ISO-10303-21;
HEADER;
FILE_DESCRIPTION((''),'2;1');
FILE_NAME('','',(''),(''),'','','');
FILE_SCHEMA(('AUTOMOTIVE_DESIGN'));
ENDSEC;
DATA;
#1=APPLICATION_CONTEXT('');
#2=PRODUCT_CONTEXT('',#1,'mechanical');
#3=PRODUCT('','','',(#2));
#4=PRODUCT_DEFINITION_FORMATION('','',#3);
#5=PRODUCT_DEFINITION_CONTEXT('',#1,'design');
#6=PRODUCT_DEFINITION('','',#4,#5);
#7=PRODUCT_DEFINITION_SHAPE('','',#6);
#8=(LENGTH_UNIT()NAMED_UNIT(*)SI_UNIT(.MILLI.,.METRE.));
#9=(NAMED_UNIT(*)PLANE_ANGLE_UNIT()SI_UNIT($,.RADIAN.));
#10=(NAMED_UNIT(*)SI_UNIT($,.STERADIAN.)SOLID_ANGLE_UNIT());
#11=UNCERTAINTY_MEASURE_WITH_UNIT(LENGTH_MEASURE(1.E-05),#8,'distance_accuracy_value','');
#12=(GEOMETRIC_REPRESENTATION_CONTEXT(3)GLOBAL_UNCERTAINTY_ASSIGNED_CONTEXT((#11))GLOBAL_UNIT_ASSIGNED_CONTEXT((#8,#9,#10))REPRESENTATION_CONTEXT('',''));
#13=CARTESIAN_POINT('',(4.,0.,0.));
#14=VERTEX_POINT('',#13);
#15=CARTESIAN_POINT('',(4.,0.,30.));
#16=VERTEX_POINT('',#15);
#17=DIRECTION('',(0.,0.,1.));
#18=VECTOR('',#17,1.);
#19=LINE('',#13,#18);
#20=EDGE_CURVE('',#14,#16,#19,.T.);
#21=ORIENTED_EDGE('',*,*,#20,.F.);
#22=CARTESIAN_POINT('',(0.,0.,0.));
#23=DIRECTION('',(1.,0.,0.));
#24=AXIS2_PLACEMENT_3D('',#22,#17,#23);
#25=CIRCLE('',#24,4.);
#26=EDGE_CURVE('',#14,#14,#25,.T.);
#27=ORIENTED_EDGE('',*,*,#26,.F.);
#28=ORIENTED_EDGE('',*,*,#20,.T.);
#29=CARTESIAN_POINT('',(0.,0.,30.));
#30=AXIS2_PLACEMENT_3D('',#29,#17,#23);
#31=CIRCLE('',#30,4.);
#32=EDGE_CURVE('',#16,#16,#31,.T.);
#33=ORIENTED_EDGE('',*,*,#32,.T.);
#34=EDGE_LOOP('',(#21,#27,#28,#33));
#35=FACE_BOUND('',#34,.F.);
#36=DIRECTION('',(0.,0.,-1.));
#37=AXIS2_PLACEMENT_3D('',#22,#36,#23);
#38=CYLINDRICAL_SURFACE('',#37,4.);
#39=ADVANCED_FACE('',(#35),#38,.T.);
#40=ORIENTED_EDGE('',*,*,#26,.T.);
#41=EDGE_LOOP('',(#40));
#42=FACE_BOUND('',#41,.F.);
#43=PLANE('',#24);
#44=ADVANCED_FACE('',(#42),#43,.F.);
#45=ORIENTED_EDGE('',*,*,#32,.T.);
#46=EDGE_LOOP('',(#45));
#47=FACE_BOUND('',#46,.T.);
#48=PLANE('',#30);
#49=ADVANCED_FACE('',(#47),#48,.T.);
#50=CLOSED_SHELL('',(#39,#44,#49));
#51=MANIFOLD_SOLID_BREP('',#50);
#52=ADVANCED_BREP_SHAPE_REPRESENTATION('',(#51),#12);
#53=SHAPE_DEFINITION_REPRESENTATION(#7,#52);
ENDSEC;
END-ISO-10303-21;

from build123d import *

# Parameters (mm, degrees)
SKETCH1_R           = 4
BOSS_EXTRUDE1_DEPTH = 30


with BuildPart() as part:
    # Sketch1 → Boss-Extrude1 (new body)
    with BuildSketch(Plane.XY):
        Circle(SKETCH1_R)
    extrude(amount=BOSS_EXTRUDE1_DEPTH)


solid = part.part
